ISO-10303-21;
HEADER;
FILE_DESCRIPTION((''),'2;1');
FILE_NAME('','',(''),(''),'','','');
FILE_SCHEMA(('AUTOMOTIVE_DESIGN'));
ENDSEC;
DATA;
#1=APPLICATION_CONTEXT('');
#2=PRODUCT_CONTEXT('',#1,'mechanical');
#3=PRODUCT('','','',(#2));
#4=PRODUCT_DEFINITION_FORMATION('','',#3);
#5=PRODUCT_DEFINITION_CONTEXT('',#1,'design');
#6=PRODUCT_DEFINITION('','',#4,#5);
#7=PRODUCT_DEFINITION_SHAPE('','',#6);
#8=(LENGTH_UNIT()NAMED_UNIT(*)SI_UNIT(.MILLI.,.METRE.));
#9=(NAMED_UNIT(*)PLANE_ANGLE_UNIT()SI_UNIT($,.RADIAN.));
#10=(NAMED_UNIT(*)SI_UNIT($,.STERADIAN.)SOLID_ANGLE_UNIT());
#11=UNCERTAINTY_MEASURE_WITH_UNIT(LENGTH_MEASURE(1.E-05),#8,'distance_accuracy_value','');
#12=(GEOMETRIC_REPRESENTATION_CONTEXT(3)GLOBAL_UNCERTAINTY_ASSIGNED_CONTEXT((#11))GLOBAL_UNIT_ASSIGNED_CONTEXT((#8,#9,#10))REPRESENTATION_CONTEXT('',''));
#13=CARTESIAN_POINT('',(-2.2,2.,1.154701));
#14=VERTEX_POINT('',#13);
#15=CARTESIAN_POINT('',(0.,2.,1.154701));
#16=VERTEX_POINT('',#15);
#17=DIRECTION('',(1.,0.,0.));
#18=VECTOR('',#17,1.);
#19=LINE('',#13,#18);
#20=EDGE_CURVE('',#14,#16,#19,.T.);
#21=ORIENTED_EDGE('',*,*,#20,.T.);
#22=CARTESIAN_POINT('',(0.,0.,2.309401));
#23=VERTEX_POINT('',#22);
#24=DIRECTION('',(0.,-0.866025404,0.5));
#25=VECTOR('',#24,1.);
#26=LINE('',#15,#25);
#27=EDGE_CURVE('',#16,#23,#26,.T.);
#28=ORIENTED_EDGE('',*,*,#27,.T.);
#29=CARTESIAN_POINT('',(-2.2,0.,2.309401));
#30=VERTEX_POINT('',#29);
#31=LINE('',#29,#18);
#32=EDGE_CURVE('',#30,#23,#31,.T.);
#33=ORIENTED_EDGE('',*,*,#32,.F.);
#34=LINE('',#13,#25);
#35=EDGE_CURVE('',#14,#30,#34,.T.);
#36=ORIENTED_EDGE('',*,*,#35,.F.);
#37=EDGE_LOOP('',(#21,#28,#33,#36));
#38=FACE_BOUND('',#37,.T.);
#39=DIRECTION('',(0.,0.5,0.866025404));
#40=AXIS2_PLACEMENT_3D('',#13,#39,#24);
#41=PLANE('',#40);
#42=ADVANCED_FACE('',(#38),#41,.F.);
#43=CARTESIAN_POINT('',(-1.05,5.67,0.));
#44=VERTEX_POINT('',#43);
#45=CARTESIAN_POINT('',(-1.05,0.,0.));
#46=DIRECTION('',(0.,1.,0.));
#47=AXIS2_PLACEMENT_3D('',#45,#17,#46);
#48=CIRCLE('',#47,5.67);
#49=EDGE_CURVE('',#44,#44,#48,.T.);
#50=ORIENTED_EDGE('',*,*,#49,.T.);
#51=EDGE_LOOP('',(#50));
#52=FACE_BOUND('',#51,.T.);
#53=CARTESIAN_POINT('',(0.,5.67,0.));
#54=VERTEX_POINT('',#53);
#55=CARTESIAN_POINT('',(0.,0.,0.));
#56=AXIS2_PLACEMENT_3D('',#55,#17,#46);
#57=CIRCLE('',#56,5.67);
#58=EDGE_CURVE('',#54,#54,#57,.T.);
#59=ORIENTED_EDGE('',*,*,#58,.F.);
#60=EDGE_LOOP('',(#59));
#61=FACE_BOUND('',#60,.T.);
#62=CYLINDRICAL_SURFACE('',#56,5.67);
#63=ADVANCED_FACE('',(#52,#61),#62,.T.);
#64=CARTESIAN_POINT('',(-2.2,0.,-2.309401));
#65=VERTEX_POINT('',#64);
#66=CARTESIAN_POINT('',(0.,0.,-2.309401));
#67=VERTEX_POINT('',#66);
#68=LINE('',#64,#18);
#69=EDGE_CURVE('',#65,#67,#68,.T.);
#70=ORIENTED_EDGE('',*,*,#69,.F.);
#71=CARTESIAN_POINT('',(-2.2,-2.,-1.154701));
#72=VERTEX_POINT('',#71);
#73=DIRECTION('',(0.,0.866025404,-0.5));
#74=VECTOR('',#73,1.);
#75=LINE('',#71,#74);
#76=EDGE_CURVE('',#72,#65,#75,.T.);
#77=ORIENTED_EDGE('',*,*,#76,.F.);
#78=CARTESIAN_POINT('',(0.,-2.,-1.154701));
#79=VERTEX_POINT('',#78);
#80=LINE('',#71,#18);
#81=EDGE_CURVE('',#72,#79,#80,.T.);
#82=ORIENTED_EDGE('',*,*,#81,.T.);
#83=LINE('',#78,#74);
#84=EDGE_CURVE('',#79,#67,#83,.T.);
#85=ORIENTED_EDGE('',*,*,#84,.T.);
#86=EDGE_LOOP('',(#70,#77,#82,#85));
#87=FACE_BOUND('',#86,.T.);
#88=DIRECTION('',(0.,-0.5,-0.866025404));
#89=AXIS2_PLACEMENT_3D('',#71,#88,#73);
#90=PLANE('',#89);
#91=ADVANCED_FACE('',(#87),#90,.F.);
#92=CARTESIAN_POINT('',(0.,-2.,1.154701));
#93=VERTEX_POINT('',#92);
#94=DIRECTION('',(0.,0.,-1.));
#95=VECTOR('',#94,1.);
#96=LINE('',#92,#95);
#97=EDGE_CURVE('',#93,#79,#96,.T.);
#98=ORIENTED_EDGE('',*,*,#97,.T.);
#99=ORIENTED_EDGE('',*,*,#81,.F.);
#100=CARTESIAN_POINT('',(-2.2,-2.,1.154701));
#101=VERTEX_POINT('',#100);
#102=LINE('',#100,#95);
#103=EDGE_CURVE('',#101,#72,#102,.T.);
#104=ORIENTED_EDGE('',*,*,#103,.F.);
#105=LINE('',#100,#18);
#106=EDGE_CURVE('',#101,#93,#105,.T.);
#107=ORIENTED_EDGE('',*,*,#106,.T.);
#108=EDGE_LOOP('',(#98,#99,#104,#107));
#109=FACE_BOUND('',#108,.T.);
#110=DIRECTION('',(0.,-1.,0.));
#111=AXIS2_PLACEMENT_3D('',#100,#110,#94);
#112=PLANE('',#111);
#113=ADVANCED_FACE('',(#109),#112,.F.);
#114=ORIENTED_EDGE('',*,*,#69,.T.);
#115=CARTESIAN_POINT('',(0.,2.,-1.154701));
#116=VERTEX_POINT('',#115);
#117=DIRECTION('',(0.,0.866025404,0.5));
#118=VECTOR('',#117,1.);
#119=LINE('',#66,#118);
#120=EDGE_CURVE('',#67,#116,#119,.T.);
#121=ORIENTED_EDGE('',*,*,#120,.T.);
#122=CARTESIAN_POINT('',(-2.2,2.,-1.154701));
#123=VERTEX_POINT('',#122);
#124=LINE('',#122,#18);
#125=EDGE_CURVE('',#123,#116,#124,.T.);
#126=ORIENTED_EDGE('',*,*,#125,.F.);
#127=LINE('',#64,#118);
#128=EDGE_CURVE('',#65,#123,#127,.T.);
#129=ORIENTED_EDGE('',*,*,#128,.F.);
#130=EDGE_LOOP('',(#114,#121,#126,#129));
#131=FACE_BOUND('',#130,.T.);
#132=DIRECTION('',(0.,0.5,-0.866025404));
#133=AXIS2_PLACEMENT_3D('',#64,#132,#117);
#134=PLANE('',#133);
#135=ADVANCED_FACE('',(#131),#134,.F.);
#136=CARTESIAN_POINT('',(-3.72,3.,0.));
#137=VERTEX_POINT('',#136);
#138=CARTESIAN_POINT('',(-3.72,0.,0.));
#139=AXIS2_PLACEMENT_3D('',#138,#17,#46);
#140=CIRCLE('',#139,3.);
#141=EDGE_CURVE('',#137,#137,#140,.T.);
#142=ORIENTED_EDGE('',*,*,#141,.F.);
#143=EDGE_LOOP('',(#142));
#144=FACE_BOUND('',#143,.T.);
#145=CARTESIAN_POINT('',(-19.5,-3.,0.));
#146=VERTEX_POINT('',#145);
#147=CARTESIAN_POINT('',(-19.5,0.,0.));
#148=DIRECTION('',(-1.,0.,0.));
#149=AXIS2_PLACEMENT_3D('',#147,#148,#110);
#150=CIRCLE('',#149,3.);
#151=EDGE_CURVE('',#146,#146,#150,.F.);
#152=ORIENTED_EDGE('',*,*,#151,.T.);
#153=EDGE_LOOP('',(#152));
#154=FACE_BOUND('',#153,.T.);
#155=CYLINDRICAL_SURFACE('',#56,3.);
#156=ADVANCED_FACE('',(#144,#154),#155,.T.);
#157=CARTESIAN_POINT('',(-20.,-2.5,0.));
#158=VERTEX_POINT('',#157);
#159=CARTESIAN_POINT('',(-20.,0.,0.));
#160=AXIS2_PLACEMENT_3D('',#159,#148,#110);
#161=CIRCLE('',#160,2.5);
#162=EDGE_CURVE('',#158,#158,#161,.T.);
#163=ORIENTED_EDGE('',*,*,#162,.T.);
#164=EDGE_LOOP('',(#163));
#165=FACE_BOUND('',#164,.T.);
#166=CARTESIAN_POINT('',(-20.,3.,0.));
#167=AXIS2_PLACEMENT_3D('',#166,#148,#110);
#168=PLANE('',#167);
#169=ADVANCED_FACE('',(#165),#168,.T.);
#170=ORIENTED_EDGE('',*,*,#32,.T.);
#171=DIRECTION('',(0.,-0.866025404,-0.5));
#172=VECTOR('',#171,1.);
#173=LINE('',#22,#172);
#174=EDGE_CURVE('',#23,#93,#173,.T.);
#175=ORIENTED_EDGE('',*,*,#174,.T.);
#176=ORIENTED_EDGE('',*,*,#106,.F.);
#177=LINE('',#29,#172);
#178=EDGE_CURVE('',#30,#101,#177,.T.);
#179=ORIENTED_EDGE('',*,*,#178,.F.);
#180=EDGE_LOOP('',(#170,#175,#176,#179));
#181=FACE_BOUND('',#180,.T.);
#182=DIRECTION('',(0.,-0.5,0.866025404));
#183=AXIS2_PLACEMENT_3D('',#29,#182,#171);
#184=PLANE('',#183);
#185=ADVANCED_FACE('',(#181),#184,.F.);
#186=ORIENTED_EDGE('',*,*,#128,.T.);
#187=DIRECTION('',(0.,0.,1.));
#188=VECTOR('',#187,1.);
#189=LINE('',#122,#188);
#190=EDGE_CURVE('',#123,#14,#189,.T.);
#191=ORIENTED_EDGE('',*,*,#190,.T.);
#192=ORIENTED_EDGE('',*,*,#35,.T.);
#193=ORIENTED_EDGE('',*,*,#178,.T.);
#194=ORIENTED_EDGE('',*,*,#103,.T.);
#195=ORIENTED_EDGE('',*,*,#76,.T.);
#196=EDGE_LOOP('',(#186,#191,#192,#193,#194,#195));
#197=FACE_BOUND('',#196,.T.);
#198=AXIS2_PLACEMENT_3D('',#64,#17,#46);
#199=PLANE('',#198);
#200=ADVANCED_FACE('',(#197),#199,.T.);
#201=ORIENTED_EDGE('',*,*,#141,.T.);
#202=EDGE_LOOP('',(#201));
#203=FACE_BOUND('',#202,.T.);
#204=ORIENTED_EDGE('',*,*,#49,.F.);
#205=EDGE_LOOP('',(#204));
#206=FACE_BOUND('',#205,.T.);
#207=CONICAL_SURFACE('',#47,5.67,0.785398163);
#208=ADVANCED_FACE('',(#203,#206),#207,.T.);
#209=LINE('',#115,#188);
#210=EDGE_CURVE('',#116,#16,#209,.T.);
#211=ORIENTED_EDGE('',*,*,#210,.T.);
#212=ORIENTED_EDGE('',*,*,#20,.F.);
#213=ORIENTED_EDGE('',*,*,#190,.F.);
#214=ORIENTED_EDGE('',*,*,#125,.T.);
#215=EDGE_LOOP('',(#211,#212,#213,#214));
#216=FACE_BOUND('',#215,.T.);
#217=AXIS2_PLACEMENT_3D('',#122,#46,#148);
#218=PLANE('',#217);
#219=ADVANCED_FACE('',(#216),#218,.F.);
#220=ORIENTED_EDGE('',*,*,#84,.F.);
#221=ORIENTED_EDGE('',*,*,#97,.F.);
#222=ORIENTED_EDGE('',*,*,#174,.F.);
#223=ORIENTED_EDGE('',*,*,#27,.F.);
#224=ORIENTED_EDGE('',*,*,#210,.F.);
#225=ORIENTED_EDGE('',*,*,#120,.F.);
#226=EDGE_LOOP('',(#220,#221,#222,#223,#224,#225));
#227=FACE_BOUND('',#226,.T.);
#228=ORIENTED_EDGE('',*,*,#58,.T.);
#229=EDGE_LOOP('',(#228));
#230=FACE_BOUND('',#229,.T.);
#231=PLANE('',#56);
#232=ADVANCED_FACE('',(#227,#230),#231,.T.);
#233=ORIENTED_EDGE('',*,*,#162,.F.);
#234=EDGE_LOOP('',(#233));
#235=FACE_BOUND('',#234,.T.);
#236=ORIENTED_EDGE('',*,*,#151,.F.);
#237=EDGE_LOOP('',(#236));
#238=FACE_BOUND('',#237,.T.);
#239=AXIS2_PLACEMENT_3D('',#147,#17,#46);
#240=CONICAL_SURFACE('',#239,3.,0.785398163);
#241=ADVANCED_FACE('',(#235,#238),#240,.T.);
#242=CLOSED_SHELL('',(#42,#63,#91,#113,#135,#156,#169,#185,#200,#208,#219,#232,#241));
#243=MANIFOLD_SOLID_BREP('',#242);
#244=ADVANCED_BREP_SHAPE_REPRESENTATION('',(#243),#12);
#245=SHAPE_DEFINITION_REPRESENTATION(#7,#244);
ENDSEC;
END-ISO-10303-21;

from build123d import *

# Parameters (mm, degrees)
CUT_EXTRUDE1_DEPTH = 2.2
CHAMFER1_SIZE      = 0.5


with BuildPart() as part:
    # Sketch1 → Revolve1 (revolve)
    with BuildSketch(Plane.XY):
        Polygon((0, 0), (0, 5.67), (-1.05, 5.67), (-3.72, 3), (-20, 3), (-20, 0), align=None)
    revolve(axis=Axis((0, 0, 0), (-1, 0, 0)))

    # Sketch2 → Cut-Extrude1 (cut)
    with BuildSketch(Plane(origin=(0, 0, 0), x_dir=(0, 0, -1), z_dir=(1, 0, 0))):
        Polygon((2.309401077, 0), (1.154700538, 2), (-1.154700538, 2), (-2.309401077, 0), (-1.154700538, -2), (1.154700538, -2), align=None)
    extrude(amount=-CUT_EXTRUDE1_DEPTH, mode=Mode.SUBTRACT)

    # Chamfer1
    chamfer1_edges = [part.edges().sort_by_distance(p)[0] for p in [
        (-20, -3, 0),
    ]]
    chamfer(chamfer1_edges, length=CHAMFER1_SIZE)


solid = part.part
